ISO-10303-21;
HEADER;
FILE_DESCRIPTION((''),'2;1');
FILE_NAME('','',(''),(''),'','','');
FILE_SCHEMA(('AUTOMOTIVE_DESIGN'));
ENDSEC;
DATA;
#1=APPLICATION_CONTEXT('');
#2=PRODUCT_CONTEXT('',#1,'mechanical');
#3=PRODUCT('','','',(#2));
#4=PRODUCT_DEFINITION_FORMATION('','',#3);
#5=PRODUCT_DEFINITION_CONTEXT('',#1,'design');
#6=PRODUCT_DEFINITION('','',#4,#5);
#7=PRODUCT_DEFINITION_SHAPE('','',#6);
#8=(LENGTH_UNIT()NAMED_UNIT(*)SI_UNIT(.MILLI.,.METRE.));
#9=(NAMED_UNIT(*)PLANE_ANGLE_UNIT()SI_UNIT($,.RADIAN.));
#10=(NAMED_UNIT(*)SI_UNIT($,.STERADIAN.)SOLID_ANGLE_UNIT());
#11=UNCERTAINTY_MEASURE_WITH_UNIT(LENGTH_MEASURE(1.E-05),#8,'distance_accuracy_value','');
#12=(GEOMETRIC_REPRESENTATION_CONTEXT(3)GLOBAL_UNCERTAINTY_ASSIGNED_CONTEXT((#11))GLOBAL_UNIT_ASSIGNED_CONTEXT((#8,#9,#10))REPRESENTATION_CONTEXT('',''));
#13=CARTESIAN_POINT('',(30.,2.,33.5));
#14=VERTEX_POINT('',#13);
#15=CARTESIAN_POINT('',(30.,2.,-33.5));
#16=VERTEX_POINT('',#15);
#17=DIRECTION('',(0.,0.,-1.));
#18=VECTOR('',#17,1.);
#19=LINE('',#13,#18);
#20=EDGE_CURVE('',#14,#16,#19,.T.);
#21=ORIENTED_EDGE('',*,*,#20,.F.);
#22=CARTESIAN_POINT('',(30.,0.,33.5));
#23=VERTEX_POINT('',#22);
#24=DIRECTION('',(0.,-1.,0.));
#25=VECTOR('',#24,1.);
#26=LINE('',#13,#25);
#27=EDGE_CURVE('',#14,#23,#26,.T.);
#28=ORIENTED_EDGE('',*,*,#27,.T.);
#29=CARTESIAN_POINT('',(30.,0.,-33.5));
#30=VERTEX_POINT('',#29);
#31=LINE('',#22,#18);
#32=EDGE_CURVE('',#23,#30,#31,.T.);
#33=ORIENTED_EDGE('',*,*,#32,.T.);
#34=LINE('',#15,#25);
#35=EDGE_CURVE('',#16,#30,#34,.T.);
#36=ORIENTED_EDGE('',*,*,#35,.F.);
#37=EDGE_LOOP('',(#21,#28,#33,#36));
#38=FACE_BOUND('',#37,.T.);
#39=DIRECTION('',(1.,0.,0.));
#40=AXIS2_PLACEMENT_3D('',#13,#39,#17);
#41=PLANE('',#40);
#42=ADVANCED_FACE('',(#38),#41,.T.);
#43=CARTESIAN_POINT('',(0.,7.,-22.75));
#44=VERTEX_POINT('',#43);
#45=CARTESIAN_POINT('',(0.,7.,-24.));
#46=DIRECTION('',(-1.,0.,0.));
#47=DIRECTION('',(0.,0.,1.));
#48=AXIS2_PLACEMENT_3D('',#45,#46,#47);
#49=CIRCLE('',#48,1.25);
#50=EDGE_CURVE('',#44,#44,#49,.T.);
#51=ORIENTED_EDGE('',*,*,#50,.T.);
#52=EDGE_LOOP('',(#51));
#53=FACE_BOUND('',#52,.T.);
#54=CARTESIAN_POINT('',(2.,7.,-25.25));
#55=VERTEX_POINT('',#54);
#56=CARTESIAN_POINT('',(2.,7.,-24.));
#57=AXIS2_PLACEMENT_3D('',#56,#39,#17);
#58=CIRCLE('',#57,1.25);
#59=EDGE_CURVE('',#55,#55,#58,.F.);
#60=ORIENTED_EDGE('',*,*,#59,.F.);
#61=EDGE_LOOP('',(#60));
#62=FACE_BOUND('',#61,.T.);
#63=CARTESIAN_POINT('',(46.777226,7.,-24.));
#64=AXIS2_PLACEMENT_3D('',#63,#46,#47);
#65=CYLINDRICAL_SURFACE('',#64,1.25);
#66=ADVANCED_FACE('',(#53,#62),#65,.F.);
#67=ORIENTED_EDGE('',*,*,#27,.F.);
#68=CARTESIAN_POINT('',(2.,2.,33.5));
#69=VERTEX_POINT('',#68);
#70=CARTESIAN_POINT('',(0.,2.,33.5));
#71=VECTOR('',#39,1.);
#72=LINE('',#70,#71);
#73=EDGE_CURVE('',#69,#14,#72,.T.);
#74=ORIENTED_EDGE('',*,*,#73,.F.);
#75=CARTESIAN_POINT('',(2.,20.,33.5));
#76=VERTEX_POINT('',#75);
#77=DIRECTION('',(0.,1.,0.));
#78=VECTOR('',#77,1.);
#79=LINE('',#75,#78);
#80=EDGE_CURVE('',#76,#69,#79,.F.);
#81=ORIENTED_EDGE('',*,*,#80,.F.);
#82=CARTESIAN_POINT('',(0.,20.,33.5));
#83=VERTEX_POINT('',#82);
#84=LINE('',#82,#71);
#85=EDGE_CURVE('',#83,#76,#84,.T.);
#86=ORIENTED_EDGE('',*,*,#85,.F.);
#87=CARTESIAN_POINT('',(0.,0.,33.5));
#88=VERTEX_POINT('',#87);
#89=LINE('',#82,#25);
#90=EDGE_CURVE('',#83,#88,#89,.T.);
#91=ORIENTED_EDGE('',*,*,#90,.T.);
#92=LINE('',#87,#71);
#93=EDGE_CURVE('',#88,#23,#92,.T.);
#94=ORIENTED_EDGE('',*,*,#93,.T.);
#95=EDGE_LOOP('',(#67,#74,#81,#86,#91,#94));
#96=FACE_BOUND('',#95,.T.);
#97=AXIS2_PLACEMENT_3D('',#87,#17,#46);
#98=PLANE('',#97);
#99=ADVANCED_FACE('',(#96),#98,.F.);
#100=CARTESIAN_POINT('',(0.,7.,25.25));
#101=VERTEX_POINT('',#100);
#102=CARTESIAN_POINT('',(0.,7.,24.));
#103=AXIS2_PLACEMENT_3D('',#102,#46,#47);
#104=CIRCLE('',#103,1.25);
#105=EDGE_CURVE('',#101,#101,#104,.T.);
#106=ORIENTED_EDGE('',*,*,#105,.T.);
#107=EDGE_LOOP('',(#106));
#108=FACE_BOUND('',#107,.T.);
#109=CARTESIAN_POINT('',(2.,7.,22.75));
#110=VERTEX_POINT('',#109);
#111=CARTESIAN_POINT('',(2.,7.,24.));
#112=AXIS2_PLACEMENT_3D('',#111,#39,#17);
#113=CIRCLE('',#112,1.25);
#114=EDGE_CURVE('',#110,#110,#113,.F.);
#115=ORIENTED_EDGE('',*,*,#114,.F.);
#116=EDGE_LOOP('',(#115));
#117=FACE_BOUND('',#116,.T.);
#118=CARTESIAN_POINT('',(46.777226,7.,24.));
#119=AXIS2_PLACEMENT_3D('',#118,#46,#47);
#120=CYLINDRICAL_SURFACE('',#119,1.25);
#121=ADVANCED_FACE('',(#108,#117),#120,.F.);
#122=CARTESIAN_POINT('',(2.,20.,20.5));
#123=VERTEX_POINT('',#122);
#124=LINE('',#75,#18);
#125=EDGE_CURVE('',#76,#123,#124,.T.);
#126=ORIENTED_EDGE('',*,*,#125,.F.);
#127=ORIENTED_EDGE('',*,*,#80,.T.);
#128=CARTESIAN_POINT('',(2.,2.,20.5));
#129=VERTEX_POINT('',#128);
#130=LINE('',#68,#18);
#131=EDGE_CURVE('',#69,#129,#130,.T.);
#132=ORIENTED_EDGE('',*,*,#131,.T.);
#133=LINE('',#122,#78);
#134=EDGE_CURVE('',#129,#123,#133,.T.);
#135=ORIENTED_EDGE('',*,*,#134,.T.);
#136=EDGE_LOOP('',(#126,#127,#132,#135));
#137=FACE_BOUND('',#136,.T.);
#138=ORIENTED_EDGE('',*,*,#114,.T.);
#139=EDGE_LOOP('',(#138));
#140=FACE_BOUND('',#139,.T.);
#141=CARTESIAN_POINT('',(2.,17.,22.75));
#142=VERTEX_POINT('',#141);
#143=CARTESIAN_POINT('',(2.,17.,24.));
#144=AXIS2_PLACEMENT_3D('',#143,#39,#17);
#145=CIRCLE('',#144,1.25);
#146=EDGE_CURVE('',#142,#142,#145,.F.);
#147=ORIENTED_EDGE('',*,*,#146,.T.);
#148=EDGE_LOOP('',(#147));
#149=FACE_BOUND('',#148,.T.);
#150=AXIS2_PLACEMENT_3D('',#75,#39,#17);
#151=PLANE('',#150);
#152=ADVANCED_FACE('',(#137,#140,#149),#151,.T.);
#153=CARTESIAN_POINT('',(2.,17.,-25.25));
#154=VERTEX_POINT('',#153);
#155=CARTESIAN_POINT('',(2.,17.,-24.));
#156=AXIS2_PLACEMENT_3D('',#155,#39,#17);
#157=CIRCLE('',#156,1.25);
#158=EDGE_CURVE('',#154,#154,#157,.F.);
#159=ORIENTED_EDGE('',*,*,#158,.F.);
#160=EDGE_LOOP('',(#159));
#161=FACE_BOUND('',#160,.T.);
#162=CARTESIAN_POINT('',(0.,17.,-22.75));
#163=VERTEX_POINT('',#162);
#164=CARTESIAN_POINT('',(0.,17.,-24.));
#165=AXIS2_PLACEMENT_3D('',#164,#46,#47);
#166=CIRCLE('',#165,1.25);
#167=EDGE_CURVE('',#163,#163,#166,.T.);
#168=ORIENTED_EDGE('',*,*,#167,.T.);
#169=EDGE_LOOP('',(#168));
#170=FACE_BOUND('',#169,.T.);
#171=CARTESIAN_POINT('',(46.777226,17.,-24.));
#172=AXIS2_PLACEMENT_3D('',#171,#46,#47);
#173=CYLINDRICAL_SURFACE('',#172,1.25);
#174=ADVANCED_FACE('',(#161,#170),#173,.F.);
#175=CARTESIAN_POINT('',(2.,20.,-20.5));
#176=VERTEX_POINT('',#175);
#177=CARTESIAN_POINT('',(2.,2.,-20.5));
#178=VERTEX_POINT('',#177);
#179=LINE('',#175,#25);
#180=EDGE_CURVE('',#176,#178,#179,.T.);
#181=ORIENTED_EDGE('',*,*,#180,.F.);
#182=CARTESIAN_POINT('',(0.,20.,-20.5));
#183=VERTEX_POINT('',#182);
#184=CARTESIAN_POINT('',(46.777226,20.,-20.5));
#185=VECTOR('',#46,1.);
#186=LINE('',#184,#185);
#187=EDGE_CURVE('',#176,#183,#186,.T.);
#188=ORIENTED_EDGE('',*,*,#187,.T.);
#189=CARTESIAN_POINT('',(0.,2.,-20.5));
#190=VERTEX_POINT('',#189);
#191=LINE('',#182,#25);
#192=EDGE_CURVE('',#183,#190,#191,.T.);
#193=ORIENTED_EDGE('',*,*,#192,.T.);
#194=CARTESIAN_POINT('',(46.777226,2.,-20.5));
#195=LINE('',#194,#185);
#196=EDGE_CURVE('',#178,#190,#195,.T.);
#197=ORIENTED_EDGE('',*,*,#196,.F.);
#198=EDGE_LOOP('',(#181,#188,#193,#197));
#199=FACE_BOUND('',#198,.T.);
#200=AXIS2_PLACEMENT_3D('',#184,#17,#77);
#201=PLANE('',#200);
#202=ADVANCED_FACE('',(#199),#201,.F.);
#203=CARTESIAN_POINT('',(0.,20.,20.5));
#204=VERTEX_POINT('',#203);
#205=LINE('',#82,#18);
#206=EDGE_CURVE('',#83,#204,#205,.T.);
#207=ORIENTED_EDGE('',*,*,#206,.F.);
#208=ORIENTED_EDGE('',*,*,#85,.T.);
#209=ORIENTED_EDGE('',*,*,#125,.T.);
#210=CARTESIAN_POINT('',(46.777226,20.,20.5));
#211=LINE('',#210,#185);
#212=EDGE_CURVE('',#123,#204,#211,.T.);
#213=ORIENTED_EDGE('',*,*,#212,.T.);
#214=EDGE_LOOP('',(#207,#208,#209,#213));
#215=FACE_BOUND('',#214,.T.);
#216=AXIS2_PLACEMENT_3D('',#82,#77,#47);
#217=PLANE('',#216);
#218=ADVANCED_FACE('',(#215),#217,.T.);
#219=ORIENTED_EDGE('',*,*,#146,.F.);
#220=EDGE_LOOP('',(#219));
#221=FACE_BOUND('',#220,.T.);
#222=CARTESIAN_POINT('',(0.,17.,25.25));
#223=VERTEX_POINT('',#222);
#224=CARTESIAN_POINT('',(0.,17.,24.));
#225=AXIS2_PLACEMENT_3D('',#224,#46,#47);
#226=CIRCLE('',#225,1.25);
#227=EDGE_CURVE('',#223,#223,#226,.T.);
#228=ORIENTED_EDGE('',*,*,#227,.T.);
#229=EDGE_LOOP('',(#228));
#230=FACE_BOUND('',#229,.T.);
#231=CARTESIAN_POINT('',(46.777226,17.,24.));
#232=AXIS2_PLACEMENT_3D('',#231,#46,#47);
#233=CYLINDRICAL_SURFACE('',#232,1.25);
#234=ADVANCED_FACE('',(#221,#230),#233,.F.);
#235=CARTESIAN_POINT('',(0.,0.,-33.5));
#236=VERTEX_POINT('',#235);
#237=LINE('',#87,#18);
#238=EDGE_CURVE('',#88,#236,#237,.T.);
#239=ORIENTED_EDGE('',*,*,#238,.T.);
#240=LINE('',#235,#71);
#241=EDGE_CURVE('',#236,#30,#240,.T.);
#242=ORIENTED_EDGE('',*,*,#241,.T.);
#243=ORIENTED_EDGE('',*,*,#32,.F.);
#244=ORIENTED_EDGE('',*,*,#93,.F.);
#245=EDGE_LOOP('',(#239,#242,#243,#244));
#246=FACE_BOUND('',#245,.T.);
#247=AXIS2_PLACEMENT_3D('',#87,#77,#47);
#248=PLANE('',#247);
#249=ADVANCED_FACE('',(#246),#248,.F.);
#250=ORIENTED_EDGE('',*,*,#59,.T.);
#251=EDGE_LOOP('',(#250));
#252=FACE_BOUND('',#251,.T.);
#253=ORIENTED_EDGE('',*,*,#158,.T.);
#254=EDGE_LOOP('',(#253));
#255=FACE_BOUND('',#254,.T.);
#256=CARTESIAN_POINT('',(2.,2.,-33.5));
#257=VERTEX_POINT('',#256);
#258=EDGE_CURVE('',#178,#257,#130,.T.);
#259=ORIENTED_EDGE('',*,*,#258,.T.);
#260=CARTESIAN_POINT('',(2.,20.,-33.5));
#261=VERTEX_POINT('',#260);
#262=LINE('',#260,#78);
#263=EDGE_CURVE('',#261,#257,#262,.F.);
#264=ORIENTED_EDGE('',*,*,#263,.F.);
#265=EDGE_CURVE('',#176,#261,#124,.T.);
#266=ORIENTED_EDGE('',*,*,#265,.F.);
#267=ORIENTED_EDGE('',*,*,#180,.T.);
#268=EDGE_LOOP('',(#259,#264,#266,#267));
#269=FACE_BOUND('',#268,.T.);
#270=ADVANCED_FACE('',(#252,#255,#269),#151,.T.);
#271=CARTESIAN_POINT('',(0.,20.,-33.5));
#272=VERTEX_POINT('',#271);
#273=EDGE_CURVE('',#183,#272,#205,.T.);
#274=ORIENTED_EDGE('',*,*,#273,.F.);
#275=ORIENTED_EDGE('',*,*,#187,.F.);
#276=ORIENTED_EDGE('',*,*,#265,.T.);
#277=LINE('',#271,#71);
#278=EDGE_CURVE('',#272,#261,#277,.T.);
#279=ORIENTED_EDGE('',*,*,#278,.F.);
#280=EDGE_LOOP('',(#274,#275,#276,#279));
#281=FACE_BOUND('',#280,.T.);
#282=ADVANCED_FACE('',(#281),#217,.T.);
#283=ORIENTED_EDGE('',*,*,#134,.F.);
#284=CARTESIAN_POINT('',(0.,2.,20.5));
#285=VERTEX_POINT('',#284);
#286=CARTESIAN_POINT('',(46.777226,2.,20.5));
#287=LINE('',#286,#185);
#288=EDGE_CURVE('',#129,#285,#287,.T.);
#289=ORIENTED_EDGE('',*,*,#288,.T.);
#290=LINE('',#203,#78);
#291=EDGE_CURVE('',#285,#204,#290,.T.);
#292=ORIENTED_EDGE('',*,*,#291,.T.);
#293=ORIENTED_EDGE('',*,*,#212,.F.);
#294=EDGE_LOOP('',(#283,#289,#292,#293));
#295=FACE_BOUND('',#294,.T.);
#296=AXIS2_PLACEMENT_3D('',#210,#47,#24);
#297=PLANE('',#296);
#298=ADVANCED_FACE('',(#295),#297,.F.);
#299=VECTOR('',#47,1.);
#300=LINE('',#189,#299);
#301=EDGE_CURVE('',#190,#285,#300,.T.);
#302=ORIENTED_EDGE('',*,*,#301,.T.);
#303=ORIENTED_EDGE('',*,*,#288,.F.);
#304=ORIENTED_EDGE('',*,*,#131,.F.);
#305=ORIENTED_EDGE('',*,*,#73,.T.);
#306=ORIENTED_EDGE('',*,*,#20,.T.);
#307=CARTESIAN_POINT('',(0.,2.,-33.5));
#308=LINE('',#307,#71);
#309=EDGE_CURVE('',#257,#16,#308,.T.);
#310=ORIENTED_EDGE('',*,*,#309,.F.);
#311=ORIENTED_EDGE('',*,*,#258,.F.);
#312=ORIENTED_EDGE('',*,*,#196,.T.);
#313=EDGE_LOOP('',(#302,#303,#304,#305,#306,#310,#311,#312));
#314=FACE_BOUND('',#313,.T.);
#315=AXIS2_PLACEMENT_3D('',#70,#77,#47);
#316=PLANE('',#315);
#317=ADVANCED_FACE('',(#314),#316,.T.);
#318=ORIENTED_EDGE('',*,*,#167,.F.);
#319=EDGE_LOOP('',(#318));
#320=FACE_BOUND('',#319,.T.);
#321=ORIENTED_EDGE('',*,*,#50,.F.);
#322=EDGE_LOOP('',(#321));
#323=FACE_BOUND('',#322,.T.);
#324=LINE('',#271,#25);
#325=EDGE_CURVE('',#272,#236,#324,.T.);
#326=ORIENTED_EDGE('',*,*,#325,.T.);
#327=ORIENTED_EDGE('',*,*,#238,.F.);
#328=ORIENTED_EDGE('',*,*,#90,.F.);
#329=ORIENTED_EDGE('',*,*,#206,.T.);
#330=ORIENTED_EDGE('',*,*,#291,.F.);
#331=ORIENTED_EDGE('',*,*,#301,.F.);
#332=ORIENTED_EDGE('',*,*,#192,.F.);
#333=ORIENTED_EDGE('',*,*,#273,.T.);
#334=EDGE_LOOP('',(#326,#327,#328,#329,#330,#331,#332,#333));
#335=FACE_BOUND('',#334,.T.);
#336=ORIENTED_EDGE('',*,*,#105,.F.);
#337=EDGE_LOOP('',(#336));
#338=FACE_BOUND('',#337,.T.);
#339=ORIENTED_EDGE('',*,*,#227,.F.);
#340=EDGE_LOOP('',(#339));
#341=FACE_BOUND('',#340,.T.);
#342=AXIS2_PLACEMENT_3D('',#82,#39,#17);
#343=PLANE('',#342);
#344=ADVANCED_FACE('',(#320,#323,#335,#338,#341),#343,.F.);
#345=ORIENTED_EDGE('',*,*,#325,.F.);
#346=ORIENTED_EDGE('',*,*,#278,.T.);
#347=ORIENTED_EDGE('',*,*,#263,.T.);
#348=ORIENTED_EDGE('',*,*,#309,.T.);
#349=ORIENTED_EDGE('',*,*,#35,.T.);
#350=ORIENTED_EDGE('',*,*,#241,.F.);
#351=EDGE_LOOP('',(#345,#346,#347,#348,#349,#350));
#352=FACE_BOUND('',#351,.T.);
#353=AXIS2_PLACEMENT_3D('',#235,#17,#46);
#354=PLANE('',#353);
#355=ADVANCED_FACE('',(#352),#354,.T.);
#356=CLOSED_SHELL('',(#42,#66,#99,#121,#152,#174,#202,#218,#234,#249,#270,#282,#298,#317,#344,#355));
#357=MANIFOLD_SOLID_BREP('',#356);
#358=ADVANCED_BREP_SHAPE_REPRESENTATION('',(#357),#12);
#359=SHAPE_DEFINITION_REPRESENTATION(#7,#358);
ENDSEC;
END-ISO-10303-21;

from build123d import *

# Parameters (mm, degrees)
EXTRU_MINCE1_DEPTH      = 33.5
ESQUISSE2_R             = 1.25
ESQUISSE2_W             = 41
ESQUISSE2_H             = 18
ENL_V_MAT_EXTRU_1_DEPTH = 2


with BuildPart() as part:
    # Esquisse1 → Extru.-Mince1 (new, symmetric)
    with BuildSketch(Plane.XY):
        Polygon((0, 20), (0, 0), (30, 0), (30, 2), (2, 2), (2, 20), align=None)
    extrude(amount=EXTRU_MINCE1_DEPTH, both=True)

    # Esquisse2 → Enlèv. mat.-Extru.1 (cut)
    with BuildSketch(Plane.ZY):
        with Locations((-24, 7)):
            Circle(ESQUISSE2_R)
        with Locations((24, 7)):
            Circle(ESQUISSE2_R)
        with Locations((24, 17)):
            Circle(ESQUISSE2_R)
        with Locations((-24, 17)):
            Circle(ESQUISSE2_R)
        with Locations((0, 11)):
            Rectangle(ESQUISSE2_W, ESQUISSE2_H)
    extrude(amount=-ENL_V_MAT_EXTRU_1_DEPTH, mode=Mode.SUBTRACT)


solid = part.part
